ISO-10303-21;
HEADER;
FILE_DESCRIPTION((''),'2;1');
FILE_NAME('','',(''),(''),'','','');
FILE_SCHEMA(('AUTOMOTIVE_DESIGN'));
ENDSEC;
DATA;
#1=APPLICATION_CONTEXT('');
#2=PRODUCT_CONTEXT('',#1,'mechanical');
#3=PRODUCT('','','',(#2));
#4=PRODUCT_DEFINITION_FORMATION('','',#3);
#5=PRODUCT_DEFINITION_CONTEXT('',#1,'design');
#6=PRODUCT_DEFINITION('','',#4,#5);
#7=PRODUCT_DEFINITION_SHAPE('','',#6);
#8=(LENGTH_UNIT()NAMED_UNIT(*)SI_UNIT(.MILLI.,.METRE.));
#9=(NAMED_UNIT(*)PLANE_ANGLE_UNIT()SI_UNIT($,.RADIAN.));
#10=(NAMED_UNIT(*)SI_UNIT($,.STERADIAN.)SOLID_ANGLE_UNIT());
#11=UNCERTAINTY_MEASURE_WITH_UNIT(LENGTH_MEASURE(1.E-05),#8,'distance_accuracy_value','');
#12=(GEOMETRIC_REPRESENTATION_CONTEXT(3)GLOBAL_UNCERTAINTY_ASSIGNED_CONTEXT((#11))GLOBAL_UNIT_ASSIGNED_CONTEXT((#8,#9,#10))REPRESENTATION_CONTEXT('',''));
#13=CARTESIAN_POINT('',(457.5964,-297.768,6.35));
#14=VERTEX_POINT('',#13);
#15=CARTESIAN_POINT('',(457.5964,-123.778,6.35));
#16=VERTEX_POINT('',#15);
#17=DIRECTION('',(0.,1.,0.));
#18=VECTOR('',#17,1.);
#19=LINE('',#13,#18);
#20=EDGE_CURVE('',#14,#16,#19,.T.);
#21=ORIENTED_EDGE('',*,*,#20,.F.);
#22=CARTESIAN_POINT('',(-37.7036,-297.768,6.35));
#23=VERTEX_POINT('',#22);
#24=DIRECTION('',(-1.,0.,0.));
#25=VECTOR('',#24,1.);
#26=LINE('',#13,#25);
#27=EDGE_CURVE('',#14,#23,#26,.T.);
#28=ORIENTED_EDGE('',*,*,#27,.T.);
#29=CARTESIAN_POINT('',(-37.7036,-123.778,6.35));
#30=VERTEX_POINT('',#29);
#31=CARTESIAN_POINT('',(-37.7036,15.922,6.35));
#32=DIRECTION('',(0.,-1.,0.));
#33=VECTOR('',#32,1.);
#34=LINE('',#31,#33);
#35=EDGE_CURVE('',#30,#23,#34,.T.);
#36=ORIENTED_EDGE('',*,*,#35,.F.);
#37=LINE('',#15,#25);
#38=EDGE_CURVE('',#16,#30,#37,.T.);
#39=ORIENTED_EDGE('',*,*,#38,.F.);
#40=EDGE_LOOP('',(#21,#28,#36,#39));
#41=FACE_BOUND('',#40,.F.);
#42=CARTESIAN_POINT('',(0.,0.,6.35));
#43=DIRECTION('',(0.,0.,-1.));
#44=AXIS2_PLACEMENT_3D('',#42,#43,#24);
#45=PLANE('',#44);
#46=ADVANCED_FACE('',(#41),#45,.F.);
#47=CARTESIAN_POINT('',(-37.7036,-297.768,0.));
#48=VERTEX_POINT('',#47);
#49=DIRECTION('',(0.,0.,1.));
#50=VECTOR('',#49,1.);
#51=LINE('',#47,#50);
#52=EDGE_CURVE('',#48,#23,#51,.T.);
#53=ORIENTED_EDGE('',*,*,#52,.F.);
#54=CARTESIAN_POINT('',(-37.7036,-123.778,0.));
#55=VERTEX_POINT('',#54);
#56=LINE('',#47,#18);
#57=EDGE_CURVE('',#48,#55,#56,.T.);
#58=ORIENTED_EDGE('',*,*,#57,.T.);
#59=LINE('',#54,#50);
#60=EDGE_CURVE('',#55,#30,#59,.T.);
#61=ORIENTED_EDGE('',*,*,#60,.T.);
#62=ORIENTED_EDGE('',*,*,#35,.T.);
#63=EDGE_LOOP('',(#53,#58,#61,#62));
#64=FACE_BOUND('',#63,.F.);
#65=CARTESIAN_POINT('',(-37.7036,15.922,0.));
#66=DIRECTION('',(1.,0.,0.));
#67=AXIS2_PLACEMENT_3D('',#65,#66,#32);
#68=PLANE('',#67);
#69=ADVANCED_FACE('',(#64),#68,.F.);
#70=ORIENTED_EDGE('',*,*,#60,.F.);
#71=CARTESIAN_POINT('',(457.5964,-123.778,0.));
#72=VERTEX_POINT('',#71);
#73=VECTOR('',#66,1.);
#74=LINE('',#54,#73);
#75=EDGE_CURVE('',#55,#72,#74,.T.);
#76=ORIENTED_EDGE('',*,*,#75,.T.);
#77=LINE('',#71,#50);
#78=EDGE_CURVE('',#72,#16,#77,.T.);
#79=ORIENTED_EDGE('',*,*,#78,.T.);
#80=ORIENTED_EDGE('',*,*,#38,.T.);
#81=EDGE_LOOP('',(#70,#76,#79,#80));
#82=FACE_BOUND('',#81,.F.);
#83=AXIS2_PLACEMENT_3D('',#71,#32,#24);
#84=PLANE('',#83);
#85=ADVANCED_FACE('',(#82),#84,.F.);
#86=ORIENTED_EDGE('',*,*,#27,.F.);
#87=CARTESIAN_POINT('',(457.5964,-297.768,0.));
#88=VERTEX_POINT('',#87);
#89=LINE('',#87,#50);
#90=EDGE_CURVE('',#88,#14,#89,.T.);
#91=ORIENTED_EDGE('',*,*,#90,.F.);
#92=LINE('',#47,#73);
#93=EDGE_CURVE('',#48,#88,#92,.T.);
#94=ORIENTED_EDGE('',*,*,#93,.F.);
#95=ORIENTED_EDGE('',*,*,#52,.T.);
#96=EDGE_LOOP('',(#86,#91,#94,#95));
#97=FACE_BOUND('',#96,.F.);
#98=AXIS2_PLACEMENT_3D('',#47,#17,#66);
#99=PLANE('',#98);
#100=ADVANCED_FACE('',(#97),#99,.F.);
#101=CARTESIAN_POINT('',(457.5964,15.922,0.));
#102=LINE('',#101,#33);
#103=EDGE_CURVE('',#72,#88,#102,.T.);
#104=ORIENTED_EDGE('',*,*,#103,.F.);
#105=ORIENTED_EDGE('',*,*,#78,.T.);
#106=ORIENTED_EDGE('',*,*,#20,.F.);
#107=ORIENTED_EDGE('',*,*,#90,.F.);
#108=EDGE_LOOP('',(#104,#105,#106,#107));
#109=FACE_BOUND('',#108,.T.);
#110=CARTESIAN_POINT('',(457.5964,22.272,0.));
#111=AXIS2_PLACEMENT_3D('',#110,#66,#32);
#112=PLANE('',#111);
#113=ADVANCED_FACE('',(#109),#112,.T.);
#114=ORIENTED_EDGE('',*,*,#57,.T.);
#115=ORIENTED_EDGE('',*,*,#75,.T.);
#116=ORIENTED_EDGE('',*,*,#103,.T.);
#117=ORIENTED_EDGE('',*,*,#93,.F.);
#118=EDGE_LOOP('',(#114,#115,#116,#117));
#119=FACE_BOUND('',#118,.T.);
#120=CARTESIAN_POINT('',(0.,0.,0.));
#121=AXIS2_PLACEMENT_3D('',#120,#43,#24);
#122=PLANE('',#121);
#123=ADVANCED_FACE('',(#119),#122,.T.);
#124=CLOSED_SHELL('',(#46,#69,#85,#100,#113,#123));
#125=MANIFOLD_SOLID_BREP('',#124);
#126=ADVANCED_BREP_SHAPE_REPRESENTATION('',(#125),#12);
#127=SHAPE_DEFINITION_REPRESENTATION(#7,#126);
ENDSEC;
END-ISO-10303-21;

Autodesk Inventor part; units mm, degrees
ref_plane "YZ Plane" through (0, 0, 0) normal (1, 0, 0) x (0, 1, 0)
ref_plane "XZ Plane" through (0, 0, 0) normal (0, 1, 0) x (-1, 0, 0)
ref_plane "XY Plane" through (0, 0, 0) normal (0, 0, 1) x (1, 0, 0)
sketch "Sketch1" plane through (0, 0, 0) normal (0, 0, 1) x (1, 0, 0)
  line L0 (-37.7036, 22.272) -> (457.5964, 22.272)
  line L1 (457.5964, 22.272) -> (457.5964, -304.118)
  line L2 (457.5964, -304.118) -> (-37.7036, -304.118)
  line L3 (-37.7036, -304.118) -> (-37.7036, 22.272)
  point P0 (0, 0)
  dimension "d0" = 495.3
  dimension "d1" = 326.39
extrude "Extrusion1" add sketch "Sketch1" along normal blind 6.35
sketch "Sketch2" plane through (0, 0, 6.35) normal (0, 0, 1) x (1, 0, 0)
  line L0 (-37.7036, 22.272) -> (457.5964, 22.272) projected
  line L1 (-37.7036, 22.272) -> (-18.6536, 22.272)
  line L2 (-18.6536, 22.272) -> (-18.6536, 15.922)
  line L3 (-18.6536, 15.922) -> (-37.7036, 15.922)
  line L4 (-37.7036, 15.922) -> (-37.7036, 22.272)
  line L5 (-18.6536, 15.922) -> (32.1464, 15.922)
  line L6 (32.1464, 15.922) -> (32.1464, 22.272)
  line L7 (32.1464, 22.272) -> (-18.6536, 22.272)
  line L8 (-18.6536, 22.272) -> (-18.6536, 15.922)
  line L9 (32.1464, 15.922) -> (82.9464, 15.922)
  line L10 (82.9464, 15.922) -> (82.9464, 22.272)
  line L11 (82.9464, 22.272) -> (32.1464, 22.272)
  line L12 (32.1464, 22.272) -> (32.1464, 15.922)
  line L13 (82.9464, 15.922) -> (133.7464, 15.922)
  line L14 (133.7464, 15.922) -> (133.7464, 22.272)
  line L15 (133.7464, 22.272) -> (82.9464, 22.272)
  line L16 (82.9464, 22.272) -> (82.9464, 15.922)
  line L17 (133.7464, 15.922) -> (184.5464, 15.922)
  line L18 (184.5464, 15.922) -> (184.5464, 22.272)
  line L19 (184.5464, 22.272) -> (133.7464, 22.272)
  line L20 (133.7464, 22.272) -> (133.7464, 15.922)
  line L21 (184.5464, 15.922) -> (235.3464, 15.922)
  line L22 (235.3464, 15.922) -> (235.3464, 22.272)
  line L23 (235.3464, 22.272) -> (184.5464, 22.272)
  line L24 (184.5464, 22.272) -> (184.5464, 15.922)
  line L25 (235.3464, 15.922) -> (286.1464, 15.922)
  line L26 (286.1464, 15.922) -> (286.1464, 22.272)
  line L27 (286.1464, 22.272) -> (235.3464, 22.272)
  line L28 (235.3464, 22.272) -> (235.3464, 15.922)
  line L29 (286.1464, 15.922) -> (336.9464, 15.922)
  line L30 (336.9464, 15.922) -> (336.9464, 22.272)
  line L31 (336.9464, 22.272) -> (286.1464, 22.272)
  line L32 (286.1464, 22.272) -> (286.1464, 15.922)
  line L33 (336.9464, 15.922) -> (387.7464, 15.922)
  line L34 (387.7464, 15.922) -> (387.7464, 22.272)
  line L35 (387.7464, 22.272) -> (336.9464, 22.272)
  line L36 (336.9464, 22.272) -> (336.9464, 15.922)
  line L37 (387.7464, 15.922) -> (438.5464, 15.922)
  line L38 (438.5464, 15.922) -> (438.5464, 22.272)
  line L39 (438.5464, 22.272) -> (387.7464, 22.272)
  line L40 (387.7464, 22.272) -> (387.7464, 15.922)
  line L41 (438.5464, 15.922) -> (457.5964, 15.922)
  line L42 (457.5964, 15.922) -> (457.5964, 22.272)
  line L43 (457.5964, 22.272) -> (438.5464, 22.272)
  line L44 (438.5464, 22.272) -> (438.5464, 15.922)
  point P0 (0, 0)
  dimension "d4" = 19.05
  dimension "d5" = 6.35
  dimension "d6" = 50.8
  dimension "d7" = 50.8
  dimension "d8" = 50.8
  dimension "d9" = 50.8
  dimension "d10" = 50.8
  dimension "d11" = 50.8
  dimension "d12" = 50.8
  dimension "d13" = 50.8
  dimension "d14" = 50.8
extrude "Extrusion2" cut sketch "Sketch2" against normal blind 6.35 contours L0 L2 L3 L4 | L0 L10 L9 L6 | L0 L18 L17 L14 | L0 L26 L25 L22 | L0 L34 L33 L30 | L0 L42 L41 L38
sketch "Sketch3" plane through (0, 0, 6.35) normal (0, 0, 1) x (1, 0, 0)
  line L0 (457.5964, -304.118) -> (-37.7036, -304.118) projected
  line L1 (-37.7036, -304.118) -> (-18.6536, -304.118)
  line L2 (-18.6536, -304.118) -> (-18.6536, -297.768)
  line L3 (-18.6536, -297.768) -> (-37.7036, -297.768)
  line L4 (-37.7036, -297.768) -> (-37.7036, -304.118)
  line L5 (-18.6536, -297.768) -> (32.1464, -297.768)
  line L6 (32.1464, -297.768) -> (32.1464, -304.118)
  line L7 (32.1464, -304.118) -> (-18.6536, -304.118)
  line L8 (-18.6536, -304.118) -> (-18.6536, -297.768)
  line L9 (32.1464, -304.118) -> (82.9464, -304.118)
  line L10 (82.9464, -304.118) -> (82.9464, -297.768)
  line L11 (82.9464, -297.768) -> (32.1464, -297.768)
  line L12 (32.1464, -297.768) -> (32.1464, -304.118)
  line L13 (82.9464, -297.768) -> (133.7464, -297.768)
  line L14 (133.7464, -297.768) -> (133.7464, -304.118)
  line L15 (133.7464, -304.118) -> (82.9464, -304.118)
  line L16 (82.9464, -304.118) -> (82.9464, -297.768)
  line L17 (133.7464, -297.768) -> (184.5464, -297.768)
  line L18 (184.5464, -297.768) -> (184.5464, -304.118)
  line L19 (184.5464, -304.118) -> (133.7464, -304.118)
  line L20 (133.7464, -304.118) -> (133.7464, -297.768)
  line L21 (184.5464, -297.768) -> (235.3464, -297.768)
  line L22 (235.3464, -297.768) -> (235.3464, -304.118)
  line L23 (235.3464, -304.118) -> (184.5464, -304.118)
  line L24 (184.5464, -304.118) -> (184.5464, -297.768)
  line L25 (235.3464, -304.118) -> (286.1464, -304.118)
  line L26 (286.1464, -304.118) -> (286.1464, -297.768)
  line L27 (286.1464, -297.768) -> (235.3464, -297.768)
  line L28 (235.3464, -297.768) -> (235.3464, -304.118)
  line L29 (286.1464, -297.768) -> (336.9464, -297.768)
  line L30 (336.9464, -297.768) -> (336.9464, -304.118)
  line L31 (336.9464, -304.118) -> (286.1464, -304.118)
  line L32 (286.1464, -304.118) -> (286.1464, -297.768)
  line L33 (336.9464, -297.768) -> (387.7464, -297.768)
  line L34 (387.7464, -297.768) -> (387.7464, -304.118)
  line L35 (387.7464, -304.118) -> (336.9464, -304.118)
  line L36 (336.9464, -304.118) -> (336.9464, -297.768)
  line L37 (387.7464, -297.768) -> (438.5464, -297.768)
  line L38 (438.5464, -297.768) -> (438.5464, -304.118)
  line L39 (438.5464, -304.118) -> (387.7464, -304.118)
  line L40 (387.7464, -304.118) -> (387.7464, -297.768)
  line L41 (438.5464, -297.768) -> (457.5964, -297.768)
  line L42 (457.5964, -297.768) -> (457.5964, -304.118)
  line L43 (457.5964, -304.118) -> (438.5464, -304.118)
  line L44 (438.5464, -304.118) -> (438.5464, -297.768)
  point P0 (0, 0)
  dimension "d17" = 19.05
  dimension "d18" = 6.35
extrude "Extrusion3" cut sketch "Sketch3" against normal blind 6.35 contours L0 L38 L41 L42 | L0 L30 L33 L34 | L0 L14 L17 L18 | L0 L6 L11 L10 | L0 L4 L3 L2
sketch "Sketch4" plane through (0, 0, 6.35) normal (0, 0, 1) x (1, 0, 0)
  line L0 (336.9464, -304.118) -> (184.5464, -304.118) projected
  line L1 (184.5464, -304.118) -> (235.3464, -304.118)
  line L2 (235.3464, -304.118) -> (286.1464, -304.118)
  line L3 (286.1464, -304.118) -> (286.1464, -297.768)
  line L4 (286.1464, -297.768) -> (235.3464, -297.768)
  line L5 (235.3464, -297.768) -> (235.3464, -304.118)
  point P0 (0, 0)
  dimension "d21" = 50.8
  dimension "d22" = 50.8
extrude "Extrusion4" cut sketch "Sketch4" against normal blind 6.35
sketch "Sketch5" plane through (0, 0, 6.35) normal (0, 0, 1) x (1, 0, 0)
  line L0 (457.5964, 15.922) -> (457.5964, -297.768) projected
  line L1 (-37.7036, -297.768) -> (-37.7036, 15.922) projected
  line L2 (-37.7036, -297.768) -> (-18.6536, -297.768) projected
  line L3 (457.5964, 15.922) -> (457.5964, -166.323)
  line L4 (457.5964, -166.323) -> (451.2464, -166.323)
  line L5 (451.2464, -166.323) -> (451.2464, -115.523)
  line L6 (451.2464, -115.523) -> (457.5964, -115.523)
  line L7 (457.5964, -115.523) -> (457.5964, -166.323)
  line L8 (451.2464, -115.523) -> (457.5964, -115.523)
  line L9 (457.5964, -115.523) -> (457.5964, -64.723)
  line L10 (457.5964, -64.723) -> (451.2464, -64.723)
  line L11 (451.2464, -64.723) -> (451.2464, -115.523)
  line L12 (451.2464, -64.723) -> (457.5964, -64.723)
  line L13 (457.5964, -64.723) -> (457.5964, -13.923)
  line L14 (457.5964, -13.923) -> (451.2464, -13.923)
  line L15 (451.2464, -13.923) -> (451.2464, -64.723)
  line L16 (451.2464, -166.323) -> (457.5964, -166.323)
  line L17 (457.5964, -166.323) -> (457.5964, -217.123)
  line L18 (457.5964, -217.123) -> (451.2464, -217.123)
  line L19 (451.2464, -217.123) -> (451.2464, -166.323)
  line L20 (451.2464, -217.123) -> (457.5964, -217.123)
  line L21 (457.5964, -217.123) -> (457.5964, -267.923)
  line L22 (457.5964, -267.923) -> (451.2464, -267.923)
  line L23 (451.2464, -267.923) -> (451.2464, -217.123)
  line L24 (451.2464, -267.923) -> (457.5964, -267.923)
  line L25 (457.5964, -267.923) -> (457.5964, -297.768)
  line L26 (457.5964, -297.768) -> (451.2464, -297.768)
  line L27 (451.2464, -297.768) -> (451.2464, -267.923)
  line L28 (451.2464, -13.923) -> (457.5964, -13.923)
  line L29 (457.5964, -13.923) -> (457.5964, 15.922)
  line L30 (457.5964, 15.922) -> (451.2464, 15.922)
  line L31 (451.2464, 15.922) -> (451.2464, -13.923)
  line L32 (-37.7036, 15.922) -> (-31.3536, 15.922)
  line L33 (-31.3536, 15.922) -> (-31.3536, -13.923)
  line L34 (-31.3536, -13.923) -> (-37.7036, -13.923)
  line L35 (-37.7036, -13.923) -> (-37.7036, 15.922)
  line L36 (-37.7036, -64.723) -> (-31.3536, -64.723)
  line L37 (-31.3536, -64.723) -> (-31.3536, -115.523)
  line L38 (-31.3536, -115.523) -> (-37.7036, -115.523)
  line L39 (-37.7036, -115.523) -> (-37.7036, -64.723)
  line L40 (-37.7036, -166.323) -> (-31.3536, -166.323)
  line L41 (-31.3536, -166.323) -> (-31.3536, -217.123)
  line L42 (-31.3536, -217.123) -> (-37.7036, -217.123)
  line L43 (-37.7036, -217.123) -> (-37.7036, -166.323)
  line L44 (-37.7036, -267.923) -> (-31.3536, -267.923)
  line L45 (-31.3536, -267.923) -> (-31.3536, -297.768)
  line L46 (-31.3536, -297.768) -> (-37.7036, -297.768)
  line L47 (-37.7036, -297.768) -> (-37.7036, -267.923)
  point P0 (0, 0)
  dimension "d25" = 182.245
  dimension "d26" = 6.35
  dimension "d27" = 50.8
  dimension "d28" = 50.8
  dimension "d29" = 50.8
  dimension "d30" = 50.8
  dimension "d31" = 50.8
  dimension "d32" = 6.35
extrude "Extrusion5" cut sketch "Sketch5" against normal blind 6.35 contours L0 L14 L31 L30 | L0 L18 L19 L4 | L0 L26 L27 L22 | L1 L32 L33 L34 | L1 L36 L37 L38 | L1 L40 L41 L42 | L1 L44 L45 L2
sketch "Sketch6" plane through (0, 0, 6.35) normal (0, 0, 1) x (1, 0, 0)
  line L0 (457.5964, -13.923) -> (457.5964, -166.323) projected
  line L1 (457.5964, -13.923) -> (457.5964, -64.723)
  line L2 (457.5964, -64.723) -> (451.2464, -64.723)
  line L3 (451.2464, -64.723) -> (451.2464, -115.523)
  line L4 (451.2464, -115.523) -> (457.5964, -115.523)
  line L5 (457.5964, -115.523) -> (457.5964, -64.723)
  point P0 (0, 0)
extrude "Extrusion6" cut sketch "Sketch6" against normal blind 6.35
sketch "Sketch7" plane through (0, 0, 6.35) normal (0, 0, 1) x (1, 0, 0)
  line L0 (451.2464, -13.923) -> (451.2464, 15.922) projected
  line L1 (387.7464, 15.922) -> (336.9464, 15.922) projected
  line L2 (82.9464, 15.922) -> (32.1464, 15.922) projected
  line L3 (-31.3536, 15.922) -> (-31.3536, -13.923) projected
  line L4 (451.2464, -115.523) -> (451.2464, -64.723) projected
  line L5 (-31.3536, -6.7444) -> (44.8464, -6.7444)
  line L6 (44.8464, -6.7444) -> (44.8464, 15.922)
  line L7 (44.8464, 15.922) -> (44.8464, -60.278)
  line L8 (451.2464, -6.7444) -> (375.0464, -6.7444)
  line L9 (375.0464, -6.7444) -> (375.0464, 15.922)
  line L10 (375.0464, 15.922) -> (375.0464, -60.278)
  circle A0 centre (44.8464, -60.278) radius 25.4
  circle A1 centre (375.0464, -60.278) radius 25.4
  point P0 (0, 0)
  dimension "d37" = 76.2
  dimension "d38" = 76.2
  dimension "d39" = 76.2
  dimension "d40" = 76.2
  dimension "d41" = 50.8
  dimension "d42" = 50.8
extrude "Extrusion7" cut sketch "Sketch7" against normal blind 25.4
sketch "Sketch8" plane through (0, 0, 6.35) normal (0, 0, 1) x (1, 0, 0)
  circle A0 centre (44.8464, -60.278) radius 25.4 projected
  circle A1 centre (375.0464, -60.278) radius 25.4 projected
  point P0 (0, 0)
extrude "Extrusion8" add sketch "Sketch8" against normal blind 6.35
sketch "Sketch9" plane through (0, 0, 0) normal (0, 0, -1) x (-1, 0, 0)
  line L0 (-457.5964, -64.723) -> (-451.2464, -64.723) projected
  line L1 (-451.2464, -64.723) -> (-451.2464, -115.523) projected
  line L2 (-451.2464, -115.523) -> (-457.5964, -115.523) projected
  line L3 (-457.5964, -115.523) -> (-457.5964, -166.323) projected
  line L4 (-457.5964, -166.323) -> (-451.2464, -166.323) projected
  line L5 (-451.2464, -166.323) -> (-451.2464, -217.123) projected
  line L6 (-451.2464, -217.123) -> (-457.5964, -217.123) projected
  line L7 (-457.5964, -217.123) -> (-457.5964, -267.923) projected
  line L8 (-457.5964, -267.923) -> (-451.2464, -267.923) projected
  line L9 (-451.2464, -267.923) -> (-451.2464, -297.768) projected
  line L10 (-451.2464, -297.768) -> (-438.5464, -297.768) projected
  line L11 (-438.5464, -297.768) -> (-438.5464, -304.118) projected
  line L12 (-438.5464, -304.118) -> (-387.7464, -304.118) projected
  line L13 (-387.7464, -304.118) -> (-387.7464, -297.768) projected
  line L14 (-387.7464, -297.768) -> (-336.9464, -297.768) projected
  line L15 (-336.9464, -297.768) -> (-336.9464, -304.118) projected
  line L16 (-336.9464, -304.118) -> (-286.1464, -304.118) projected
  line L17 (-286.1464, -304.118) -> (-286.1464, -297.768) projected
  line L18 (-286.1464, -297.768) -> (-235.3464, -297.768) projected
  line L19 (-235.3464, -297.768) -> (-235.3464, -304.118) projected
  line L20 (-235.3464, -304.118) -> (-184.5464, -304.118) projected
  line L21 (-184.5464, -304.118) -> (-184.5464, -297.768) projected
  line L22 (-184.5464, -297.768) -> (-133.7464, -297.768) projected
  line L23 (-133.7464, -297.768) -> (-133.7464, -304.118) projected
  line L24 (-133.7464, -304.118) -> (-82.9464, -304.118) projected
  line L25 (-82.9464, -304.118) -> (-82.9464, -297.768) projected
  line L26 (-82.9464, -297.768) -> (-32.1464, -297.768) projected
  line L27 (-32.1464, -297.768) -> (-32.1464, -304.118) projected
  line L28 (-32.1464, -304.118) -> (18.6536, -304.118) projected
  line L29 (18.6536, -304.118) -> (18.6536, -297.768) projected
  line L30 (18.6536, -297.768) -> (31.3536, -297.768) projected
  line L31 (31.3536, -297.768) -> (31.3536, -267.923) projected
  line L32 (31.3536, -267.923) -> (37.7036, -267.923) projected
  line L33 (37.7036, -267.923) -> (37.7036, -217.123) projected
  line L34 (37.7036, -217.123) -> (31.3536, -217.123) projected
  line L35 (31.3536, -217.123) -> (31.3536, -166.323) projected
  line L36 (31.3536, -166.323) -> (37.7036, -166.323) projected
  line L37 (37.7036, -166.323) -> (37.7036, -115.523) projected
  line L38 (37.7036, -115.523) -> (31.3536, -115.523) projected
  line L39 (31.3536, -115.523) -> (31.3536, -64.723) projected
  line L40 (31.3536, -64.723) -> (37.7036, -64.723) projected
  line L41 (37.7036, -64.723) -> (37.7036, -13.923) projected
  line L42 (37.7036, -13.923) -> (31.3536, -13.923) projected
  line L43 (31.3536, -13.923) -> (31.3536, 15.922) projected
  line L44 (31.3536, 15.922) -> (18.6536, 15.922) projected
  line L45 (18.6536, 15.922) -> (18.6536, 22.272) projected
  line L46 (18.6536, 22.272) -> (-32.1464, 22.272) projected
  line L47 (-32.1464, 22.272) -> (-32.1464, 15.922) projected
  line L48 (-32.1464, 15.922) -> (-82.9464, 15.922) projected
  line L49 (-82.9464, 15.922) -> (-82.9464, 22.272) projected
  line L50 (-82.9464, 22.272) -> (-133.7464, 22.272) projected
  line L51 (-133.7464, 22.272) -> (-133.7464, 15.922) projected
  line L52 (-133.7464, 15.922) -> (-184.5464, 15.922) projected
  line L53 (-184.5464, 15.922) -> (-184.5464, 22.272) projected
  line L54 (-184.5464, 22.272) -> (-235.3464, 22.272) projected
  line L55 (-235.3464, 22.272) -> (-235.3464, 15.922) projected
  line L56 (-235.3464, 15.922) -> (-286.1464, 15.922) projected
  line L57 (-286.1464, 15.922) -> (-286.1464, 22.272) projected
  line L58 (-286.1464, 22.272) -> (-336.9464, 22.272) projected
  line L59 (-336.9464, 22.272) -> (-336.9464, 15.922) projected
  line L60 (-336.9464, 15.922) -> (-387.7464, 15.922) projected
  line L61 (-387.7464, 15.922) -> (-387.7464, 22.272) projected
  line L62 (-387.7464, 22.272) -> (-438.5464, 22.272) projected
  line L63 (-438.5464, 22.272) -> (-438.5464, 15.922) projected
  line L64 (-438.5464, 15.922) -> (-451.2464, 15.922) projected
  line L65 (-451.2464, 15.922) -> (-451.2464, -13.923) projected
  line L66 (-451.2464, -13.923) -> (-457.5964, -13.923) projected
  line L67 (-457.5964, -13.923) -> (-457.5964, -64.723) projected
  line L68 (18.6536, 15.922) -> (-438.5464, 15.922)
  point P0 (0, 0)
extrude "Extrusion9" cut sketch "Sketch9" against normal blind 25.4 contours L63 L62 L61 L68 | L59 L58 L57 L68 | L55 L54 L53 L68 | L51 L50 L49 L68 | L47 L46 L45 L68
sketch "Sketch10" plane through (0, 0, 0) normal (0, 0, -1) x (-1, 0, 0)
  line L0 (31.3536, 15.922) -> (-451.2464, 15.922) projected
  line L1 (-451.2464, 15.922) -> (-451.2464, -13.923) projected
  line L2 (-451.2464, -13.923) -> (-457.5964, -13.923) projected
  line L3 (-457.5964, -13.923) -> (-457.5964, -64.723) projected
  line L4 (-457.5964, -64.723) -> (-451.2464, -64.723) projected
  line L5 (-451.2464, -64.723) -> (-451.2464, -115.523) projected
  line L6 (-451.2464, -115.523) -> (-457.5964, -115.523) projected
  line L7 (-457.5964, -115.523) -> (-457.5964, -166.323) projected
  line L8 (-457.5964, -166.323) -> (-451.2464, -166.323) projected
  line L9 (-451.2464, -166.323) -> (-451.2464, -217.123) projected
  line L10 (-451.2464, -217.123) -> (-457.5964, -217.123) projected
  line L11 (-457.5964, -217.123) -> (-457.5964, -267.923) projected
  line L12 (-457.5964, -267.923) -> (-451.2464, -267.923) projected
  line L13 (-451.2464, -267.923) -> (-451.2464, -297.768) projected
  line L14 (-451.2464, -297.768) -> (-438.5464, -297.768) projected
  line L15 (-438.5464, -297.768) -> (-438.5464, -304.118) projected
  line L16 (-438.5464, -304.118) -> (-387.7464, -304.118) projected
  line L17 (-387.7464, -304.118) -> (-387.7464, -297.768) projected
  line L18 (-387.7464, -297.768) -> (-336.9464, -297.768) projected
  line L19 (-336.9464, -297.768) -> (-336.9464, -304.118) projected
  line L20 (-336.9464, -304.118) -> (-286.1464, -304.118) projected
  line L21 (-286.1464, -304.118) -> (-286.1464, -297.768) projected
  line L22 (-286.1464, -297.768) -> (-235.3464, -297.768) projected
  line L23 (-235.3464, -297.768) -> (-235.3464, -304.118) projected
  line L24 (-235.3464, -304.118) -> (-184.5464, -304.118) projected
  line L25 (-184.5464, -304.118) -> (-184.5464, -297.768) projected
  line L26 (-184.5464, -297.768) -> (-133.7464, -297.768) projected
  line L27 (-133.7464, -297.768) -> (-133.7464, -304.118) projected
  line L28 (-133.7464, -304.118) -> (-82.9464, -304.118) projected
  line L29 (-82.9464, -304.118) -> (-82.9464, -297.768) projected
  line L30 (-82.9464, -297.768) -> (-32.1464, -297.768) projected
  line L31 (-32.1464, -297.768) -> (-32.1464, -304.118) projected
  line L32 (-32.1464, -304.118) -> (18.6536, -304.118) projected
  line L33 (18.6536, -304.118) -> (18.6536, -297.768) projected
  line L34 (18.6536, -297.768) -> (31.3536, -297.768) projected
  line L35 (31.3536, -297.768) -> (31.3536, -267.923) projected
  line L36 (31.3536, -267.923) -> (37.7036, -267.923) projected
  line L37 (37.7036, -267.923) -> (37.7036, -217.123) projected
  line L38 (37.7036, -217.123) -> (31.3536, -217.123) projected
  line L39 (31.3536, -217.123) -> (31.3536, -166.323) projected
  line L40 (31.3536, -166.323) -> (37.7036, -166.323) projected
  line L41 (37.7036, -166.323) -> (37.7036, -115.523) projected
  line L42 (37.7036, -115.523) -> (31.3536, -115.523) projected
  line L43 (31.3536, -115.523) -> (31.3536, -64.723) projected
  line L44 (31.3536, -64.723) -> (37.7036, -64.723) projected
  line L45 (37.7036, -64.723) -> (37.7036, -13.923) projected
  line L46 (37.7036, -13.923) -> (31.3536, -13.923) projected
  line L47 (31.3536, -13.923) -> (31.3536, 15.922) projected
  line L48 (18.6536, -297.768) -> (-438.5464, -297.768)
  point P0 (0, 0)
extrude "Extrusion10" cut sketch "Sketch10" against normal blind 25.4 contours L33 L32 L31 L48 | L48 L17 L16 L15 | L29 L28 L27 L48 | L48 L21 L20 L19 | L25 L24 L23 L48
sketch "Sketch11" plane through (0, 0, 0) normal (0, 0, -1) x (-1, 0, 0)
  line L0 (37.7036, -297.768) -> (-457.5964, -297.768)
  line L1 (-457.5964, -297.768) -> (-457.5964, 15.922)
  line L2 (-457.5964, 15.922) -> (37.7036, 15.922)
  line L3 (37.7036, 15.922) -> (37.7036, -297.768)
  point P0 (0, 0)
extrude "Extrusion11" add sketch "Sketch11" against normal blind 6.35
sketch "Sketch12" plane through (0, 0, 0) normal (0, 0, -1) x (-1, 0, 0)
  line L0 (37.7036, 15.922) -> (-457.5964, 15.922) projected
  line L1 (-457.5964, 15.922) -> (-457.5964, -297.768) projected
  line L2 (-457.5964, 15.922) -> (-457.5964, -123.778)
  line L3 (-457.5964, -123.778) -> (-289.1944, -123.778)
  line L4 (-289.1944, -123.778) -> (-289.1944, 15.922)
  line L5 (37.7036, 15.922) -> (-130.6984, 15.922)
  line L6 (-130.6984, 15.922) -> (-130.6984, -123.778)
  line L7 (-130.6984, -123.778) -> (37.7036, -123.778)
  line L8 (37.7036, -123.778) -> (37.7036, 15.922)
  point P0 (0, 0)
  dimension "d53" = 139.7
  dimension "d54" = 168.402
  dimension "d55" = 168.402
  dimension "d56" = 139.7
extrude "Extrusion12" cut sketch "Sketch12" against normal blind 25.4
sketch "Sketch13" plane through (0, 0, 0) normal (0, 0, -1) x (-1, 0, 0)
  line L0 (-130.6984, -123.778) -> (-130.6984, 15.922) projected
  line L1 (-130.6984, 15.922) -> (-289.1944, 15.922) projected
  line L2 (-289.1944, 15.922) -> (-289.1944, -123.778) projected
  line L3 (37.7036, -123.778) -> (37.7036, -297.768) projected
  line L4 (-130.6984, -123.778) -> (-289.1944, -123.778)
  point P0 (0, 0)
extrude "Extrusion13" cut sketch "Sketch13" against normal blind 25.4
properties part number "it top"
